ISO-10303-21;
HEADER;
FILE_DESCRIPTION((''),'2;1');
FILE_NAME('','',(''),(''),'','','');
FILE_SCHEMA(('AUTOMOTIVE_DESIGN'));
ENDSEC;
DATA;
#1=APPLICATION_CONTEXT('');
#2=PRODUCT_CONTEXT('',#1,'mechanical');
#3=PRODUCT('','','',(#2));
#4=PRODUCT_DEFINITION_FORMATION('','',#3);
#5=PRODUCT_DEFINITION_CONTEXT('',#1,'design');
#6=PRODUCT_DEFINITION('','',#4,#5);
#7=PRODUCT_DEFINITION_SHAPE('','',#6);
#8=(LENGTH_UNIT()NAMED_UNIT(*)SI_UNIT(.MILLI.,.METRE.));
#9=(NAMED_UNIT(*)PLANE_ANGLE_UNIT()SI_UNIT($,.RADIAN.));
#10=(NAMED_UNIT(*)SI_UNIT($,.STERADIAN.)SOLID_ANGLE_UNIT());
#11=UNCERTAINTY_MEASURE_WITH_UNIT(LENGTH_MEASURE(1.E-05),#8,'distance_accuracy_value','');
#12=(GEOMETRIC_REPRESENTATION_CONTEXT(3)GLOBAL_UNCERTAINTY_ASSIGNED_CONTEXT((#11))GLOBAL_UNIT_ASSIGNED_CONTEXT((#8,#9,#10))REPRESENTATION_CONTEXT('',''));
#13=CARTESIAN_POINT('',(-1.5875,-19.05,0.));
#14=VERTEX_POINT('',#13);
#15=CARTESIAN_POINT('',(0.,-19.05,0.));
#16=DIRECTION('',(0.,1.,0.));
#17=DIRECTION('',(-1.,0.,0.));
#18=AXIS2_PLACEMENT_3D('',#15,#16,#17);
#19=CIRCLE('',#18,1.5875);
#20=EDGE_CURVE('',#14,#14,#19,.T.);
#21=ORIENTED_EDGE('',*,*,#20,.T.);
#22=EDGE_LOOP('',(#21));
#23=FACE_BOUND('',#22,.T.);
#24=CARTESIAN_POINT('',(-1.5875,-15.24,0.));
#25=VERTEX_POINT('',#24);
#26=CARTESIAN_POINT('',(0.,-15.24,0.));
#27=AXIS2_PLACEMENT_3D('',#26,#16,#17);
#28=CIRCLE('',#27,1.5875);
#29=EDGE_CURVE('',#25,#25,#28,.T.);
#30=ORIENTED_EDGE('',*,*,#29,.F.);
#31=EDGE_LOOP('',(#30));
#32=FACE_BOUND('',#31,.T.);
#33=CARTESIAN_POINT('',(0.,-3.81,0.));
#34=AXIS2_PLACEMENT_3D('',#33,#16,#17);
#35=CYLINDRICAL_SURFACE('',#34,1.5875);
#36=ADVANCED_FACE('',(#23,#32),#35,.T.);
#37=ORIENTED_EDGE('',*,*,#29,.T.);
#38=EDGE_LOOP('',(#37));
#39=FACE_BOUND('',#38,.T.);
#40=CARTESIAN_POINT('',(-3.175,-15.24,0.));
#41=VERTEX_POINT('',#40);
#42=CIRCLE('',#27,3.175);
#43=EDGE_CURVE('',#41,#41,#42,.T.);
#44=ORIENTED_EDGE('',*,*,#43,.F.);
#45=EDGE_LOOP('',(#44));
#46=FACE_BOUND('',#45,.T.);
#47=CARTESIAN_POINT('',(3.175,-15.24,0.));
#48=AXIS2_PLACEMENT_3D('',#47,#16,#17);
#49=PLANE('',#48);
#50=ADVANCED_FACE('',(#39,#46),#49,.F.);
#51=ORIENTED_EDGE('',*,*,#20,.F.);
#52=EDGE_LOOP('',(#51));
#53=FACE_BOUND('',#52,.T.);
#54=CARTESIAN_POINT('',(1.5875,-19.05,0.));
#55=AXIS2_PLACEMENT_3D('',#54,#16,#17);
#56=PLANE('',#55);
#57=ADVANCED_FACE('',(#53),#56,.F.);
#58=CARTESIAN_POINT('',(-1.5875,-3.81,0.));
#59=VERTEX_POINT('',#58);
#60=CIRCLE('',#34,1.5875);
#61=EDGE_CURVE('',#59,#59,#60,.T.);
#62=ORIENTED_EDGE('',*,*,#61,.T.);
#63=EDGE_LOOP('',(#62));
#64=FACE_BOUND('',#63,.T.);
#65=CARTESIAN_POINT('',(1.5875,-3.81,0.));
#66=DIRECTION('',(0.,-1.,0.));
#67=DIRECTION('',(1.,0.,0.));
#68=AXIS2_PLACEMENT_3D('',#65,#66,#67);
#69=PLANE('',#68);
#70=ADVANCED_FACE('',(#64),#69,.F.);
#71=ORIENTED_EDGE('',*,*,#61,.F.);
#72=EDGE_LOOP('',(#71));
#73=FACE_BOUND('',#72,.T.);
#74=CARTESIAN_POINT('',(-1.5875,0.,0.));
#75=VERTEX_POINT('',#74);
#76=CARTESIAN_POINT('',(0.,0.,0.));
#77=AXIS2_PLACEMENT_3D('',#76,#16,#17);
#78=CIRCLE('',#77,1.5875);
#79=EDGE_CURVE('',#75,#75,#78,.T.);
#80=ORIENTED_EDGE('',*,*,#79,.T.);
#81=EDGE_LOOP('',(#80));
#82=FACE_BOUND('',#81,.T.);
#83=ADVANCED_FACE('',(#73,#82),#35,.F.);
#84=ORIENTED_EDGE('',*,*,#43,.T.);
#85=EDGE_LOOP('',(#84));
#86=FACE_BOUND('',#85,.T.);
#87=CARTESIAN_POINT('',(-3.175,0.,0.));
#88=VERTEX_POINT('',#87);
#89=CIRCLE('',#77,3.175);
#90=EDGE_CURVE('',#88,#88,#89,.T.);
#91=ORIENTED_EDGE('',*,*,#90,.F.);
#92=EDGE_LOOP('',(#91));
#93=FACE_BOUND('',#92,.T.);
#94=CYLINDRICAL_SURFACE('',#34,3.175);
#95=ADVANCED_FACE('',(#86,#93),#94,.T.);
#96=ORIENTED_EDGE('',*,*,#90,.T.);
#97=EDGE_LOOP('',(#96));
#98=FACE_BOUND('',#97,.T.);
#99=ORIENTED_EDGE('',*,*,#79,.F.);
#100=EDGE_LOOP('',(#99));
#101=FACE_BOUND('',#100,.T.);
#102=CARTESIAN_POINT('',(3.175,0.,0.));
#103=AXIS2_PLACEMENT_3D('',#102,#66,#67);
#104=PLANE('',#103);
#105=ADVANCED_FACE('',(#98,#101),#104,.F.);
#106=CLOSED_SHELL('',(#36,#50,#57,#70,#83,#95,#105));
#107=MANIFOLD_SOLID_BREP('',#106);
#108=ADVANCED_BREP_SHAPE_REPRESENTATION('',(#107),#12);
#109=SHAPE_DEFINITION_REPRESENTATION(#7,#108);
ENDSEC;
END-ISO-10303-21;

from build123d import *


with BuildPart() as part:
    # Sketch1 → Revolve2 (revolve)
    with BuildSketch(Plane.XY, mode=Mode.PRIVATE) as revolve2_sk:
        Polygon((3.175, 0), (3.175, -15.24), (1.5875, -15.24), (1.5875, -19.05), (0, -19.05), (0, -3.81), (1.5875, -3.81), (1.5875, 0), align=None)
    revolve(revolve2_sk.sketch.rotate(Axis((0, -3.81, 0), (0, -1, 0)), 180), axis=Axis((0, -3.81, 0), (0, -1, 0)))


solid = part.part
